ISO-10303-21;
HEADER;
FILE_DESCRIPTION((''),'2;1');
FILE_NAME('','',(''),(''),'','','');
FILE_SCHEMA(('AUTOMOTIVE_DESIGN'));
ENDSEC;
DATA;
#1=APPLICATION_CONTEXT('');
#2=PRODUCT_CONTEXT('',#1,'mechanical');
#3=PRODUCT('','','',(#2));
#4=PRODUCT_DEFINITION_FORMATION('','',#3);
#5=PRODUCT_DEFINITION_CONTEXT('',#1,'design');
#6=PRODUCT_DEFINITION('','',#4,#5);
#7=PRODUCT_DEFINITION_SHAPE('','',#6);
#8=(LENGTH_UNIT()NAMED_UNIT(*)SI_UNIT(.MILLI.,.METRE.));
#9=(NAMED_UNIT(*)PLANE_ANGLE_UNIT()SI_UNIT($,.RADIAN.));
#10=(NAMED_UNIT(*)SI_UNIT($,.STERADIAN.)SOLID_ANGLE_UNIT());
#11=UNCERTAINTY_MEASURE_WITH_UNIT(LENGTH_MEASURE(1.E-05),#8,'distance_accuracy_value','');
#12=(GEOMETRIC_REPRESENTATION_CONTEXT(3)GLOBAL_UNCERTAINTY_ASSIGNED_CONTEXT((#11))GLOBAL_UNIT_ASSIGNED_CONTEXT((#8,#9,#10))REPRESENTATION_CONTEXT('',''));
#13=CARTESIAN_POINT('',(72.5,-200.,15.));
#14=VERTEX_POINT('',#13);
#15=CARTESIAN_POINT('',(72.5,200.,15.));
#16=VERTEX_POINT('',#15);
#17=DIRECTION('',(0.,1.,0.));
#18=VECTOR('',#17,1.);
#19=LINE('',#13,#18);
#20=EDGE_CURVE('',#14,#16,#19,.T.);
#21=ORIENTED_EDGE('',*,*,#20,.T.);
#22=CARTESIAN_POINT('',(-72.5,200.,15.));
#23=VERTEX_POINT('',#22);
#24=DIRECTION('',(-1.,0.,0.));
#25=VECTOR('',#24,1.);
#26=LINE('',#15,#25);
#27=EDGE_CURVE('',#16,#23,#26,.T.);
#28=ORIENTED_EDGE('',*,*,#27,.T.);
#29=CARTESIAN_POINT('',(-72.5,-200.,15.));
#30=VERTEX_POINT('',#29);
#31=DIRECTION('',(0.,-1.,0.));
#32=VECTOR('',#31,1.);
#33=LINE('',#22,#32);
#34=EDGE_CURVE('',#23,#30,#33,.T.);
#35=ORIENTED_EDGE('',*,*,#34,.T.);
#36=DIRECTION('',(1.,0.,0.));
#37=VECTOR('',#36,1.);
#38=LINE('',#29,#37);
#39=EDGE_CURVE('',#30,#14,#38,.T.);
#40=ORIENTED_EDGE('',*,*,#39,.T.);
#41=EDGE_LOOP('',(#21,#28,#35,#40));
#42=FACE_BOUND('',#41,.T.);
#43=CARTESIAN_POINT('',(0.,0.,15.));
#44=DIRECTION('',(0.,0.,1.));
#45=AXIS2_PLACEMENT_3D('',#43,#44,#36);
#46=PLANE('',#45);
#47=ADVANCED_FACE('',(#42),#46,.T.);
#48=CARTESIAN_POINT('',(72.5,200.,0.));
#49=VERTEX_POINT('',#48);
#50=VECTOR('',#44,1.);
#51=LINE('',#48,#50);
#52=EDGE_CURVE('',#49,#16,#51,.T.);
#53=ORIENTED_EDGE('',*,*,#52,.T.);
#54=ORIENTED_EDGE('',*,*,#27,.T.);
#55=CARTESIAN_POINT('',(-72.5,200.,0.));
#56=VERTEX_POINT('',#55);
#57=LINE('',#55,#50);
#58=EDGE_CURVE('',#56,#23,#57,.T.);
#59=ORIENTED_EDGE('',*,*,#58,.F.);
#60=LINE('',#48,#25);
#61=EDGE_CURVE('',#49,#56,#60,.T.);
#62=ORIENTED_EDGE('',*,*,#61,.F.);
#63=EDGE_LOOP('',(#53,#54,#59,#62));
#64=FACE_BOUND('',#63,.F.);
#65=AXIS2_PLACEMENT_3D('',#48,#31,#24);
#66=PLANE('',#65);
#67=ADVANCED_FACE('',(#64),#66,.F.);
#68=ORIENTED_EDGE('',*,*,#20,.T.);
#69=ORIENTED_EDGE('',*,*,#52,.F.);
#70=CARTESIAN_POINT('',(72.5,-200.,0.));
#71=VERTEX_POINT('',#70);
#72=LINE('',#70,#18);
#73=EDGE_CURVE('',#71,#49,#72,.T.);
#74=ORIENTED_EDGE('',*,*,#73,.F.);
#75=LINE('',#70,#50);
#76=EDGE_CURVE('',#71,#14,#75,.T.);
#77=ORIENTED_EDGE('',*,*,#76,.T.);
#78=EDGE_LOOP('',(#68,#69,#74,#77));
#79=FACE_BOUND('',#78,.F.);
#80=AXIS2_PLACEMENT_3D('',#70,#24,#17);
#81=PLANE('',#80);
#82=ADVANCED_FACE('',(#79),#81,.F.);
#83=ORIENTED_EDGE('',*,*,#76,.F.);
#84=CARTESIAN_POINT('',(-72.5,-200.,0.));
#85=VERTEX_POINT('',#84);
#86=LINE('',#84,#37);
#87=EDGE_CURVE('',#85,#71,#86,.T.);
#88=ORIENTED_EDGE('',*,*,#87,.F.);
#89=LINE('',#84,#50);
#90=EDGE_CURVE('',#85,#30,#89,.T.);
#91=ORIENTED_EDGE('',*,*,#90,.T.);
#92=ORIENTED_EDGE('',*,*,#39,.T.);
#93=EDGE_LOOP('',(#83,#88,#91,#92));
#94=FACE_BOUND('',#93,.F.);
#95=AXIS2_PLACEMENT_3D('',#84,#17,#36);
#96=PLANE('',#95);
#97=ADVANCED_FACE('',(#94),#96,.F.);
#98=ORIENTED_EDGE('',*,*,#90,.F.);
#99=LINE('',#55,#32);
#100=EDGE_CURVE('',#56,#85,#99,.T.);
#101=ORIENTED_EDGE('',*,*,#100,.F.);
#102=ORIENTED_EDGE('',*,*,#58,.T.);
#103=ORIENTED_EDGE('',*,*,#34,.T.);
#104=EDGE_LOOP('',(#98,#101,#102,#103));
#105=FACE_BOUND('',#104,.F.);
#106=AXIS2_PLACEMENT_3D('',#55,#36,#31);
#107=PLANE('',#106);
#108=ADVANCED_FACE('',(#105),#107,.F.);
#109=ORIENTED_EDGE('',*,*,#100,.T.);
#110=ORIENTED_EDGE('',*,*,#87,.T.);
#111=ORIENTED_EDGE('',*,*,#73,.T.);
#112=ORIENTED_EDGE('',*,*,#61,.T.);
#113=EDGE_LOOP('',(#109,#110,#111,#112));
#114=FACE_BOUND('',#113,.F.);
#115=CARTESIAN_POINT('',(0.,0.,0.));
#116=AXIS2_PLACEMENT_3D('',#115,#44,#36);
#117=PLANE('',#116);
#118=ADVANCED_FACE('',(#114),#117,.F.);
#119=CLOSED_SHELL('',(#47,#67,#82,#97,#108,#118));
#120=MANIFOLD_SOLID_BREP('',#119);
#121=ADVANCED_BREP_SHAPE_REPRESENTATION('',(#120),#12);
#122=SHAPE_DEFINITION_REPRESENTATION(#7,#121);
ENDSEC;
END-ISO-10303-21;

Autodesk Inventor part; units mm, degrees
ref_plane "YZ Plane" through (0, 0, 0) normal (1, 0, 0) x (0, 1, 0)
ref_plane "XZ Plane" through (0, 0, 0) normal (0, 1, 0) x (-1, 0, 0)
ref_plane "XY Plane" through (0, 0, 0) normal (0, 0, 1) x (1, 0, 0)
sketch "Эскиз1" plane through (0, 0, 0) normal (0, 0, 1) x (1, 0, 0)
  line L0 (-72.5, -200) -> (72.5, -200)
  line L1 (72.5, -200) -> (72.5, 200)
  line L2 (72.5, 200) -> (-72.5, 200)
  line L3 (-72.5, 200) -> (-72.5, -200)
  line L4 (-72.5, -200) -> (72.5, 200) construction
  line L5 (72.5, -200) -> (-72.5, 200) construction
  point P0 (0, 0)
  dimension "d0" = 145
  dimension "d1" = 400
extrude "Выдавливание1" add sketch "Эскиз1" along normal blind 15
properties part number "зад"
